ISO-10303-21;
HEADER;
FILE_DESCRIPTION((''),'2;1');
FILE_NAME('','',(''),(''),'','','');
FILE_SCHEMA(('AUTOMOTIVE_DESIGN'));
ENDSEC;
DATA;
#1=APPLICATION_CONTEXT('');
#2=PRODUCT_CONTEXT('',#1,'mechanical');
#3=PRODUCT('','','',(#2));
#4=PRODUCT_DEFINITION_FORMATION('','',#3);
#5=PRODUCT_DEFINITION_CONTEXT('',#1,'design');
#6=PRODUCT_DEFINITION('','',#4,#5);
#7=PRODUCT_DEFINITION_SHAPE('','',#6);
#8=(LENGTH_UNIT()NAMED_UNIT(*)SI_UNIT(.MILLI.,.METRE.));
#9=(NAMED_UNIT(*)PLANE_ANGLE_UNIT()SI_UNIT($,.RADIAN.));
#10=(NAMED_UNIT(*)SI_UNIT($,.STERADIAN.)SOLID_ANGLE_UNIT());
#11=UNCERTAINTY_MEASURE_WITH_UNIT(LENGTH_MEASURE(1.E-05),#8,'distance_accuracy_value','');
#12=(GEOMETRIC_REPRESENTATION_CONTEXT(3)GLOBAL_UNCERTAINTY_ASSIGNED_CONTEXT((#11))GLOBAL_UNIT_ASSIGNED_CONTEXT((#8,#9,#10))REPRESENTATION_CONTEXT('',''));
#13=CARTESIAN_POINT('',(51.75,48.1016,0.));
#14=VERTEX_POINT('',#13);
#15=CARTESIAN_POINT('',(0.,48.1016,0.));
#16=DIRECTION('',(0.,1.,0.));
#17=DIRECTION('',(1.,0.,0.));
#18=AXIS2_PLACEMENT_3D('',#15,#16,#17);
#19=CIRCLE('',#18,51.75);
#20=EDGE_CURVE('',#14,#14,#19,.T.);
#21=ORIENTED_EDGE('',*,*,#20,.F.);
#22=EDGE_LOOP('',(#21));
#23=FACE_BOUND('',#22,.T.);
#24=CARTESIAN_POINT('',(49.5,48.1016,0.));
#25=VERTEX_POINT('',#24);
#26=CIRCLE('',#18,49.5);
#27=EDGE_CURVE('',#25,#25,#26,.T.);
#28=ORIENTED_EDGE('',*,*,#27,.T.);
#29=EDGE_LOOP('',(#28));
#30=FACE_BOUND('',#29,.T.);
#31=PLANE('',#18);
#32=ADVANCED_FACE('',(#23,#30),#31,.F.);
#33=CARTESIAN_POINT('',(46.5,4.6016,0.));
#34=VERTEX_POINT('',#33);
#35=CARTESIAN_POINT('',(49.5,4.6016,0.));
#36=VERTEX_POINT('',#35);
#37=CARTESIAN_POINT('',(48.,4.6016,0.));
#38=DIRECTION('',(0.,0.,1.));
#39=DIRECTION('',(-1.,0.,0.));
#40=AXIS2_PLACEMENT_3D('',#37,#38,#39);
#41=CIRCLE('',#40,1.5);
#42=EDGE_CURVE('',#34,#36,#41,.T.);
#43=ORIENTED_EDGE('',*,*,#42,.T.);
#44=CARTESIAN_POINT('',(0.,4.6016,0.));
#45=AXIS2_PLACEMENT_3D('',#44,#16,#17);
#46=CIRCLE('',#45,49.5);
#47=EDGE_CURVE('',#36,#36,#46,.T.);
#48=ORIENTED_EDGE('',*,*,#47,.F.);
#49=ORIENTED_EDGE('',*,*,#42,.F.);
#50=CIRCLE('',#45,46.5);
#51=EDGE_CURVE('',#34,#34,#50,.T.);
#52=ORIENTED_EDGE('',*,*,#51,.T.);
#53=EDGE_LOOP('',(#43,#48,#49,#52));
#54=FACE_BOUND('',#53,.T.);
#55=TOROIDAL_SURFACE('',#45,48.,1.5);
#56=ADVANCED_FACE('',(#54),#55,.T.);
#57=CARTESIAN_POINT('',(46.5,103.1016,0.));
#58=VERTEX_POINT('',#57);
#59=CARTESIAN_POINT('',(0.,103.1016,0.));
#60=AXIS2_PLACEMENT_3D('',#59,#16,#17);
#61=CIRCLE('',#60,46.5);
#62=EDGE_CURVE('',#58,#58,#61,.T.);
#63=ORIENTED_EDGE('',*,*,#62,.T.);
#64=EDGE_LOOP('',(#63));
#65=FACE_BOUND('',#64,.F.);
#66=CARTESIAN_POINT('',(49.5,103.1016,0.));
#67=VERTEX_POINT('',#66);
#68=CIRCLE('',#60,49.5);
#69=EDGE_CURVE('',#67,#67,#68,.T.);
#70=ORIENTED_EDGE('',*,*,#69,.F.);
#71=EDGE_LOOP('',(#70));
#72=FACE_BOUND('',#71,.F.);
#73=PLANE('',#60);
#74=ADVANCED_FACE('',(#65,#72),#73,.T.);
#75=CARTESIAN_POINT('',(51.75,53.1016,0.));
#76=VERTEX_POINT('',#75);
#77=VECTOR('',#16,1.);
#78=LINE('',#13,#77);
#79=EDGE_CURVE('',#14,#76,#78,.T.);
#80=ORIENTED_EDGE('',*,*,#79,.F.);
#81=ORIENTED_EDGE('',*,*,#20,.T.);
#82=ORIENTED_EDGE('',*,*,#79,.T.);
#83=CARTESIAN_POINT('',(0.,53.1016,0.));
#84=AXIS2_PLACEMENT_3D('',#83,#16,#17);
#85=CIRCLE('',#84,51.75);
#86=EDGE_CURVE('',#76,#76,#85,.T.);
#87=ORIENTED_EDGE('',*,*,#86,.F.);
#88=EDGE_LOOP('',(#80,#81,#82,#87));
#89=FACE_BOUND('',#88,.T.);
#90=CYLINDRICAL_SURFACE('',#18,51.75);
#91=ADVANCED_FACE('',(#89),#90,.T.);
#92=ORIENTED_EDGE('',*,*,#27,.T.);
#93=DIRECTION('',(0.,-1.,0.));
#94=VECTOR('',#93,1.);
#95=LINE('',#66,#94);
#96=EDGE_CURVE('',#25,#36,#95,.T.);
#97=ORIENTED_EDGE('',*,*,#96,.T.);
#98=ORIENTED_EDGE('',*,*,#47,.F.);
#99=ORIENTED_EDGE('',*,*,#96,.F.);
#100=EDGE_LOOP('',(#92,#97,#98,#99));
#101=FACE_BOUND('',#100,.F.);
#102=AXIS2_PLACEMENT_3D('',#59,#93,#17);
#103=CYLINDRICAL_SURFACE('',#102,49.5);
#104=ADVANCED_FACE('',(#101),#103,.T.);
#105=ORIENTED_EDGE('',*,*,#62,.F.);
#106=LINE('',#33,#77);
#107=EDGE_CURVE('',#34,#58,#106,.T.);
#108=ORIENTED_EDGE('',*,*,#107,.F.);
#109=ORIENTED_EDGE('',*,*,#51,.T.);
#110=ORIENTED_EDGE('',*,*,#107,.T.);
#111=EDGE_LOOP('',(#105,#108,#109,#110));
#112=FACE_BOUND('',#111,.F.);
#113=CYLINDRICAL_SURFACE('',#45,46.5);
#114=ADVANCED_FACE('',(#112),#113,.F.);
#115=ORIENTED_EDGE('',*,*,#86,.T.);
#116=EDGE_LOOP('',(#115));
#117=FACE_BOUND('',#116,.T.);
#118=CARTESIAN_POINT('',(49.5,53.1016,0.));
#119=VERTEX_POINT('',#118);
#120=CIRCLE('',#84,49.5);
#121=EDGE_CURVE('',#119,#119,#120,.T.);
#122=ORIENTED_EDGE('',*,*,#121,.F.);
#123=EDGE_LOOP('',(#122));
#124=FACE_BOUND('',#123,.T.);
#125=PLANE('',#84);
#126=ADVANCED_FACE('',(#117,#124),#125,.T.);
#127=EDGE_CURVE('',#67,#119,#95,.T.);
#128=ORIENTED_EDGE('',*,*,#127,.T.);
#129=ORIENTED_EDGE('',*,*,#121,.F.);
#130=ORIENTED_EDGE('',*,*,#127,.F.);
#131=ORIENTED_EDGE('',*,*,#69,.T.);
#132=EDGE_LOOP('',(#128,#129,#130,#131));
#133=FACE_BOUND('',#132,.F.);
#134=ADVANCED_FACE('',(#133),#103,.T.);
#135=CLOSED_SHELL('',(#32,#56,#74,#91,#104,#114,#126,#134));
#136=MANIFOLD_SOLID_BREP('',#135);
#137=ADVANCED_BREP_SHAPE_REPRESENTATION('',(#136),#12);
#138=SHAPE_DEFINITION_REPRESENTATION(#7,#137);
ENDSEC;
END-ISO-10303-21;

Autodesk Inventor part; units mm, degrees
ref_plane "YZ Plane" through (0, 0, 0) normal (1, 0, 0) x (0, 1, 0)
ref_plane "XZ Plane" through (0, 0, 0) normal (0, 1, 0) x (-1, 0, 0)
ref_plane "XY Plane" through (0, 0, 0) normal (0, 0, 1) x (1, 0, 0)
sketch "Sketch1" plane through (0, 0, 0) normal (0, 0, 1) x (1, 0, 0)
  line L0 (0, 0) -> (0, 150)
  line L1 (46.5, 103.1016) -> (49.5, 103.1016)
  line L2 (49.5, 103.1016) -> (49.5, 4.6016)
  line L3 (48, 3.1016) -> (48, 3.1016)
  line L4 (46.5, 4.6016) -> (46.5, 103.1016)
  line L5 (49.5, 48.1016) -> (51.75, 48.1016)
  line L6 (51.75, 48.1016) -> (51.75, 53.1016)
  line L7 (51.75, 53.1016) -> (49.5, 53.1016)
  line L8 (49.5, 53.1016) -> (49.5, 48.1016)
  arc A0 (46.5, 4.6016) -> (48, 3.1016) centre (48, 4.6016) ccw
  arc A1 (48, 3.1016) -> (49.5, 4.6016) centre (48, 4.6016) ccw
  point P0 (49.5, 3.1016)
  point P1 (46.5, 3.1016)
  dimension "d1" = 100
  dimension "d2" = 50
  dimension "d3" = 5
  dimension "d4" = 3
  dimension "d5" = 99
  dimension "d6" = 103.5
  dimension "d8" = 1.5
revolve "Revolution1" add sketch "Sketch1" angle 360 about axis through (0, 0, 0) along (0, 1, 0)
properties part number "pld_bh"
